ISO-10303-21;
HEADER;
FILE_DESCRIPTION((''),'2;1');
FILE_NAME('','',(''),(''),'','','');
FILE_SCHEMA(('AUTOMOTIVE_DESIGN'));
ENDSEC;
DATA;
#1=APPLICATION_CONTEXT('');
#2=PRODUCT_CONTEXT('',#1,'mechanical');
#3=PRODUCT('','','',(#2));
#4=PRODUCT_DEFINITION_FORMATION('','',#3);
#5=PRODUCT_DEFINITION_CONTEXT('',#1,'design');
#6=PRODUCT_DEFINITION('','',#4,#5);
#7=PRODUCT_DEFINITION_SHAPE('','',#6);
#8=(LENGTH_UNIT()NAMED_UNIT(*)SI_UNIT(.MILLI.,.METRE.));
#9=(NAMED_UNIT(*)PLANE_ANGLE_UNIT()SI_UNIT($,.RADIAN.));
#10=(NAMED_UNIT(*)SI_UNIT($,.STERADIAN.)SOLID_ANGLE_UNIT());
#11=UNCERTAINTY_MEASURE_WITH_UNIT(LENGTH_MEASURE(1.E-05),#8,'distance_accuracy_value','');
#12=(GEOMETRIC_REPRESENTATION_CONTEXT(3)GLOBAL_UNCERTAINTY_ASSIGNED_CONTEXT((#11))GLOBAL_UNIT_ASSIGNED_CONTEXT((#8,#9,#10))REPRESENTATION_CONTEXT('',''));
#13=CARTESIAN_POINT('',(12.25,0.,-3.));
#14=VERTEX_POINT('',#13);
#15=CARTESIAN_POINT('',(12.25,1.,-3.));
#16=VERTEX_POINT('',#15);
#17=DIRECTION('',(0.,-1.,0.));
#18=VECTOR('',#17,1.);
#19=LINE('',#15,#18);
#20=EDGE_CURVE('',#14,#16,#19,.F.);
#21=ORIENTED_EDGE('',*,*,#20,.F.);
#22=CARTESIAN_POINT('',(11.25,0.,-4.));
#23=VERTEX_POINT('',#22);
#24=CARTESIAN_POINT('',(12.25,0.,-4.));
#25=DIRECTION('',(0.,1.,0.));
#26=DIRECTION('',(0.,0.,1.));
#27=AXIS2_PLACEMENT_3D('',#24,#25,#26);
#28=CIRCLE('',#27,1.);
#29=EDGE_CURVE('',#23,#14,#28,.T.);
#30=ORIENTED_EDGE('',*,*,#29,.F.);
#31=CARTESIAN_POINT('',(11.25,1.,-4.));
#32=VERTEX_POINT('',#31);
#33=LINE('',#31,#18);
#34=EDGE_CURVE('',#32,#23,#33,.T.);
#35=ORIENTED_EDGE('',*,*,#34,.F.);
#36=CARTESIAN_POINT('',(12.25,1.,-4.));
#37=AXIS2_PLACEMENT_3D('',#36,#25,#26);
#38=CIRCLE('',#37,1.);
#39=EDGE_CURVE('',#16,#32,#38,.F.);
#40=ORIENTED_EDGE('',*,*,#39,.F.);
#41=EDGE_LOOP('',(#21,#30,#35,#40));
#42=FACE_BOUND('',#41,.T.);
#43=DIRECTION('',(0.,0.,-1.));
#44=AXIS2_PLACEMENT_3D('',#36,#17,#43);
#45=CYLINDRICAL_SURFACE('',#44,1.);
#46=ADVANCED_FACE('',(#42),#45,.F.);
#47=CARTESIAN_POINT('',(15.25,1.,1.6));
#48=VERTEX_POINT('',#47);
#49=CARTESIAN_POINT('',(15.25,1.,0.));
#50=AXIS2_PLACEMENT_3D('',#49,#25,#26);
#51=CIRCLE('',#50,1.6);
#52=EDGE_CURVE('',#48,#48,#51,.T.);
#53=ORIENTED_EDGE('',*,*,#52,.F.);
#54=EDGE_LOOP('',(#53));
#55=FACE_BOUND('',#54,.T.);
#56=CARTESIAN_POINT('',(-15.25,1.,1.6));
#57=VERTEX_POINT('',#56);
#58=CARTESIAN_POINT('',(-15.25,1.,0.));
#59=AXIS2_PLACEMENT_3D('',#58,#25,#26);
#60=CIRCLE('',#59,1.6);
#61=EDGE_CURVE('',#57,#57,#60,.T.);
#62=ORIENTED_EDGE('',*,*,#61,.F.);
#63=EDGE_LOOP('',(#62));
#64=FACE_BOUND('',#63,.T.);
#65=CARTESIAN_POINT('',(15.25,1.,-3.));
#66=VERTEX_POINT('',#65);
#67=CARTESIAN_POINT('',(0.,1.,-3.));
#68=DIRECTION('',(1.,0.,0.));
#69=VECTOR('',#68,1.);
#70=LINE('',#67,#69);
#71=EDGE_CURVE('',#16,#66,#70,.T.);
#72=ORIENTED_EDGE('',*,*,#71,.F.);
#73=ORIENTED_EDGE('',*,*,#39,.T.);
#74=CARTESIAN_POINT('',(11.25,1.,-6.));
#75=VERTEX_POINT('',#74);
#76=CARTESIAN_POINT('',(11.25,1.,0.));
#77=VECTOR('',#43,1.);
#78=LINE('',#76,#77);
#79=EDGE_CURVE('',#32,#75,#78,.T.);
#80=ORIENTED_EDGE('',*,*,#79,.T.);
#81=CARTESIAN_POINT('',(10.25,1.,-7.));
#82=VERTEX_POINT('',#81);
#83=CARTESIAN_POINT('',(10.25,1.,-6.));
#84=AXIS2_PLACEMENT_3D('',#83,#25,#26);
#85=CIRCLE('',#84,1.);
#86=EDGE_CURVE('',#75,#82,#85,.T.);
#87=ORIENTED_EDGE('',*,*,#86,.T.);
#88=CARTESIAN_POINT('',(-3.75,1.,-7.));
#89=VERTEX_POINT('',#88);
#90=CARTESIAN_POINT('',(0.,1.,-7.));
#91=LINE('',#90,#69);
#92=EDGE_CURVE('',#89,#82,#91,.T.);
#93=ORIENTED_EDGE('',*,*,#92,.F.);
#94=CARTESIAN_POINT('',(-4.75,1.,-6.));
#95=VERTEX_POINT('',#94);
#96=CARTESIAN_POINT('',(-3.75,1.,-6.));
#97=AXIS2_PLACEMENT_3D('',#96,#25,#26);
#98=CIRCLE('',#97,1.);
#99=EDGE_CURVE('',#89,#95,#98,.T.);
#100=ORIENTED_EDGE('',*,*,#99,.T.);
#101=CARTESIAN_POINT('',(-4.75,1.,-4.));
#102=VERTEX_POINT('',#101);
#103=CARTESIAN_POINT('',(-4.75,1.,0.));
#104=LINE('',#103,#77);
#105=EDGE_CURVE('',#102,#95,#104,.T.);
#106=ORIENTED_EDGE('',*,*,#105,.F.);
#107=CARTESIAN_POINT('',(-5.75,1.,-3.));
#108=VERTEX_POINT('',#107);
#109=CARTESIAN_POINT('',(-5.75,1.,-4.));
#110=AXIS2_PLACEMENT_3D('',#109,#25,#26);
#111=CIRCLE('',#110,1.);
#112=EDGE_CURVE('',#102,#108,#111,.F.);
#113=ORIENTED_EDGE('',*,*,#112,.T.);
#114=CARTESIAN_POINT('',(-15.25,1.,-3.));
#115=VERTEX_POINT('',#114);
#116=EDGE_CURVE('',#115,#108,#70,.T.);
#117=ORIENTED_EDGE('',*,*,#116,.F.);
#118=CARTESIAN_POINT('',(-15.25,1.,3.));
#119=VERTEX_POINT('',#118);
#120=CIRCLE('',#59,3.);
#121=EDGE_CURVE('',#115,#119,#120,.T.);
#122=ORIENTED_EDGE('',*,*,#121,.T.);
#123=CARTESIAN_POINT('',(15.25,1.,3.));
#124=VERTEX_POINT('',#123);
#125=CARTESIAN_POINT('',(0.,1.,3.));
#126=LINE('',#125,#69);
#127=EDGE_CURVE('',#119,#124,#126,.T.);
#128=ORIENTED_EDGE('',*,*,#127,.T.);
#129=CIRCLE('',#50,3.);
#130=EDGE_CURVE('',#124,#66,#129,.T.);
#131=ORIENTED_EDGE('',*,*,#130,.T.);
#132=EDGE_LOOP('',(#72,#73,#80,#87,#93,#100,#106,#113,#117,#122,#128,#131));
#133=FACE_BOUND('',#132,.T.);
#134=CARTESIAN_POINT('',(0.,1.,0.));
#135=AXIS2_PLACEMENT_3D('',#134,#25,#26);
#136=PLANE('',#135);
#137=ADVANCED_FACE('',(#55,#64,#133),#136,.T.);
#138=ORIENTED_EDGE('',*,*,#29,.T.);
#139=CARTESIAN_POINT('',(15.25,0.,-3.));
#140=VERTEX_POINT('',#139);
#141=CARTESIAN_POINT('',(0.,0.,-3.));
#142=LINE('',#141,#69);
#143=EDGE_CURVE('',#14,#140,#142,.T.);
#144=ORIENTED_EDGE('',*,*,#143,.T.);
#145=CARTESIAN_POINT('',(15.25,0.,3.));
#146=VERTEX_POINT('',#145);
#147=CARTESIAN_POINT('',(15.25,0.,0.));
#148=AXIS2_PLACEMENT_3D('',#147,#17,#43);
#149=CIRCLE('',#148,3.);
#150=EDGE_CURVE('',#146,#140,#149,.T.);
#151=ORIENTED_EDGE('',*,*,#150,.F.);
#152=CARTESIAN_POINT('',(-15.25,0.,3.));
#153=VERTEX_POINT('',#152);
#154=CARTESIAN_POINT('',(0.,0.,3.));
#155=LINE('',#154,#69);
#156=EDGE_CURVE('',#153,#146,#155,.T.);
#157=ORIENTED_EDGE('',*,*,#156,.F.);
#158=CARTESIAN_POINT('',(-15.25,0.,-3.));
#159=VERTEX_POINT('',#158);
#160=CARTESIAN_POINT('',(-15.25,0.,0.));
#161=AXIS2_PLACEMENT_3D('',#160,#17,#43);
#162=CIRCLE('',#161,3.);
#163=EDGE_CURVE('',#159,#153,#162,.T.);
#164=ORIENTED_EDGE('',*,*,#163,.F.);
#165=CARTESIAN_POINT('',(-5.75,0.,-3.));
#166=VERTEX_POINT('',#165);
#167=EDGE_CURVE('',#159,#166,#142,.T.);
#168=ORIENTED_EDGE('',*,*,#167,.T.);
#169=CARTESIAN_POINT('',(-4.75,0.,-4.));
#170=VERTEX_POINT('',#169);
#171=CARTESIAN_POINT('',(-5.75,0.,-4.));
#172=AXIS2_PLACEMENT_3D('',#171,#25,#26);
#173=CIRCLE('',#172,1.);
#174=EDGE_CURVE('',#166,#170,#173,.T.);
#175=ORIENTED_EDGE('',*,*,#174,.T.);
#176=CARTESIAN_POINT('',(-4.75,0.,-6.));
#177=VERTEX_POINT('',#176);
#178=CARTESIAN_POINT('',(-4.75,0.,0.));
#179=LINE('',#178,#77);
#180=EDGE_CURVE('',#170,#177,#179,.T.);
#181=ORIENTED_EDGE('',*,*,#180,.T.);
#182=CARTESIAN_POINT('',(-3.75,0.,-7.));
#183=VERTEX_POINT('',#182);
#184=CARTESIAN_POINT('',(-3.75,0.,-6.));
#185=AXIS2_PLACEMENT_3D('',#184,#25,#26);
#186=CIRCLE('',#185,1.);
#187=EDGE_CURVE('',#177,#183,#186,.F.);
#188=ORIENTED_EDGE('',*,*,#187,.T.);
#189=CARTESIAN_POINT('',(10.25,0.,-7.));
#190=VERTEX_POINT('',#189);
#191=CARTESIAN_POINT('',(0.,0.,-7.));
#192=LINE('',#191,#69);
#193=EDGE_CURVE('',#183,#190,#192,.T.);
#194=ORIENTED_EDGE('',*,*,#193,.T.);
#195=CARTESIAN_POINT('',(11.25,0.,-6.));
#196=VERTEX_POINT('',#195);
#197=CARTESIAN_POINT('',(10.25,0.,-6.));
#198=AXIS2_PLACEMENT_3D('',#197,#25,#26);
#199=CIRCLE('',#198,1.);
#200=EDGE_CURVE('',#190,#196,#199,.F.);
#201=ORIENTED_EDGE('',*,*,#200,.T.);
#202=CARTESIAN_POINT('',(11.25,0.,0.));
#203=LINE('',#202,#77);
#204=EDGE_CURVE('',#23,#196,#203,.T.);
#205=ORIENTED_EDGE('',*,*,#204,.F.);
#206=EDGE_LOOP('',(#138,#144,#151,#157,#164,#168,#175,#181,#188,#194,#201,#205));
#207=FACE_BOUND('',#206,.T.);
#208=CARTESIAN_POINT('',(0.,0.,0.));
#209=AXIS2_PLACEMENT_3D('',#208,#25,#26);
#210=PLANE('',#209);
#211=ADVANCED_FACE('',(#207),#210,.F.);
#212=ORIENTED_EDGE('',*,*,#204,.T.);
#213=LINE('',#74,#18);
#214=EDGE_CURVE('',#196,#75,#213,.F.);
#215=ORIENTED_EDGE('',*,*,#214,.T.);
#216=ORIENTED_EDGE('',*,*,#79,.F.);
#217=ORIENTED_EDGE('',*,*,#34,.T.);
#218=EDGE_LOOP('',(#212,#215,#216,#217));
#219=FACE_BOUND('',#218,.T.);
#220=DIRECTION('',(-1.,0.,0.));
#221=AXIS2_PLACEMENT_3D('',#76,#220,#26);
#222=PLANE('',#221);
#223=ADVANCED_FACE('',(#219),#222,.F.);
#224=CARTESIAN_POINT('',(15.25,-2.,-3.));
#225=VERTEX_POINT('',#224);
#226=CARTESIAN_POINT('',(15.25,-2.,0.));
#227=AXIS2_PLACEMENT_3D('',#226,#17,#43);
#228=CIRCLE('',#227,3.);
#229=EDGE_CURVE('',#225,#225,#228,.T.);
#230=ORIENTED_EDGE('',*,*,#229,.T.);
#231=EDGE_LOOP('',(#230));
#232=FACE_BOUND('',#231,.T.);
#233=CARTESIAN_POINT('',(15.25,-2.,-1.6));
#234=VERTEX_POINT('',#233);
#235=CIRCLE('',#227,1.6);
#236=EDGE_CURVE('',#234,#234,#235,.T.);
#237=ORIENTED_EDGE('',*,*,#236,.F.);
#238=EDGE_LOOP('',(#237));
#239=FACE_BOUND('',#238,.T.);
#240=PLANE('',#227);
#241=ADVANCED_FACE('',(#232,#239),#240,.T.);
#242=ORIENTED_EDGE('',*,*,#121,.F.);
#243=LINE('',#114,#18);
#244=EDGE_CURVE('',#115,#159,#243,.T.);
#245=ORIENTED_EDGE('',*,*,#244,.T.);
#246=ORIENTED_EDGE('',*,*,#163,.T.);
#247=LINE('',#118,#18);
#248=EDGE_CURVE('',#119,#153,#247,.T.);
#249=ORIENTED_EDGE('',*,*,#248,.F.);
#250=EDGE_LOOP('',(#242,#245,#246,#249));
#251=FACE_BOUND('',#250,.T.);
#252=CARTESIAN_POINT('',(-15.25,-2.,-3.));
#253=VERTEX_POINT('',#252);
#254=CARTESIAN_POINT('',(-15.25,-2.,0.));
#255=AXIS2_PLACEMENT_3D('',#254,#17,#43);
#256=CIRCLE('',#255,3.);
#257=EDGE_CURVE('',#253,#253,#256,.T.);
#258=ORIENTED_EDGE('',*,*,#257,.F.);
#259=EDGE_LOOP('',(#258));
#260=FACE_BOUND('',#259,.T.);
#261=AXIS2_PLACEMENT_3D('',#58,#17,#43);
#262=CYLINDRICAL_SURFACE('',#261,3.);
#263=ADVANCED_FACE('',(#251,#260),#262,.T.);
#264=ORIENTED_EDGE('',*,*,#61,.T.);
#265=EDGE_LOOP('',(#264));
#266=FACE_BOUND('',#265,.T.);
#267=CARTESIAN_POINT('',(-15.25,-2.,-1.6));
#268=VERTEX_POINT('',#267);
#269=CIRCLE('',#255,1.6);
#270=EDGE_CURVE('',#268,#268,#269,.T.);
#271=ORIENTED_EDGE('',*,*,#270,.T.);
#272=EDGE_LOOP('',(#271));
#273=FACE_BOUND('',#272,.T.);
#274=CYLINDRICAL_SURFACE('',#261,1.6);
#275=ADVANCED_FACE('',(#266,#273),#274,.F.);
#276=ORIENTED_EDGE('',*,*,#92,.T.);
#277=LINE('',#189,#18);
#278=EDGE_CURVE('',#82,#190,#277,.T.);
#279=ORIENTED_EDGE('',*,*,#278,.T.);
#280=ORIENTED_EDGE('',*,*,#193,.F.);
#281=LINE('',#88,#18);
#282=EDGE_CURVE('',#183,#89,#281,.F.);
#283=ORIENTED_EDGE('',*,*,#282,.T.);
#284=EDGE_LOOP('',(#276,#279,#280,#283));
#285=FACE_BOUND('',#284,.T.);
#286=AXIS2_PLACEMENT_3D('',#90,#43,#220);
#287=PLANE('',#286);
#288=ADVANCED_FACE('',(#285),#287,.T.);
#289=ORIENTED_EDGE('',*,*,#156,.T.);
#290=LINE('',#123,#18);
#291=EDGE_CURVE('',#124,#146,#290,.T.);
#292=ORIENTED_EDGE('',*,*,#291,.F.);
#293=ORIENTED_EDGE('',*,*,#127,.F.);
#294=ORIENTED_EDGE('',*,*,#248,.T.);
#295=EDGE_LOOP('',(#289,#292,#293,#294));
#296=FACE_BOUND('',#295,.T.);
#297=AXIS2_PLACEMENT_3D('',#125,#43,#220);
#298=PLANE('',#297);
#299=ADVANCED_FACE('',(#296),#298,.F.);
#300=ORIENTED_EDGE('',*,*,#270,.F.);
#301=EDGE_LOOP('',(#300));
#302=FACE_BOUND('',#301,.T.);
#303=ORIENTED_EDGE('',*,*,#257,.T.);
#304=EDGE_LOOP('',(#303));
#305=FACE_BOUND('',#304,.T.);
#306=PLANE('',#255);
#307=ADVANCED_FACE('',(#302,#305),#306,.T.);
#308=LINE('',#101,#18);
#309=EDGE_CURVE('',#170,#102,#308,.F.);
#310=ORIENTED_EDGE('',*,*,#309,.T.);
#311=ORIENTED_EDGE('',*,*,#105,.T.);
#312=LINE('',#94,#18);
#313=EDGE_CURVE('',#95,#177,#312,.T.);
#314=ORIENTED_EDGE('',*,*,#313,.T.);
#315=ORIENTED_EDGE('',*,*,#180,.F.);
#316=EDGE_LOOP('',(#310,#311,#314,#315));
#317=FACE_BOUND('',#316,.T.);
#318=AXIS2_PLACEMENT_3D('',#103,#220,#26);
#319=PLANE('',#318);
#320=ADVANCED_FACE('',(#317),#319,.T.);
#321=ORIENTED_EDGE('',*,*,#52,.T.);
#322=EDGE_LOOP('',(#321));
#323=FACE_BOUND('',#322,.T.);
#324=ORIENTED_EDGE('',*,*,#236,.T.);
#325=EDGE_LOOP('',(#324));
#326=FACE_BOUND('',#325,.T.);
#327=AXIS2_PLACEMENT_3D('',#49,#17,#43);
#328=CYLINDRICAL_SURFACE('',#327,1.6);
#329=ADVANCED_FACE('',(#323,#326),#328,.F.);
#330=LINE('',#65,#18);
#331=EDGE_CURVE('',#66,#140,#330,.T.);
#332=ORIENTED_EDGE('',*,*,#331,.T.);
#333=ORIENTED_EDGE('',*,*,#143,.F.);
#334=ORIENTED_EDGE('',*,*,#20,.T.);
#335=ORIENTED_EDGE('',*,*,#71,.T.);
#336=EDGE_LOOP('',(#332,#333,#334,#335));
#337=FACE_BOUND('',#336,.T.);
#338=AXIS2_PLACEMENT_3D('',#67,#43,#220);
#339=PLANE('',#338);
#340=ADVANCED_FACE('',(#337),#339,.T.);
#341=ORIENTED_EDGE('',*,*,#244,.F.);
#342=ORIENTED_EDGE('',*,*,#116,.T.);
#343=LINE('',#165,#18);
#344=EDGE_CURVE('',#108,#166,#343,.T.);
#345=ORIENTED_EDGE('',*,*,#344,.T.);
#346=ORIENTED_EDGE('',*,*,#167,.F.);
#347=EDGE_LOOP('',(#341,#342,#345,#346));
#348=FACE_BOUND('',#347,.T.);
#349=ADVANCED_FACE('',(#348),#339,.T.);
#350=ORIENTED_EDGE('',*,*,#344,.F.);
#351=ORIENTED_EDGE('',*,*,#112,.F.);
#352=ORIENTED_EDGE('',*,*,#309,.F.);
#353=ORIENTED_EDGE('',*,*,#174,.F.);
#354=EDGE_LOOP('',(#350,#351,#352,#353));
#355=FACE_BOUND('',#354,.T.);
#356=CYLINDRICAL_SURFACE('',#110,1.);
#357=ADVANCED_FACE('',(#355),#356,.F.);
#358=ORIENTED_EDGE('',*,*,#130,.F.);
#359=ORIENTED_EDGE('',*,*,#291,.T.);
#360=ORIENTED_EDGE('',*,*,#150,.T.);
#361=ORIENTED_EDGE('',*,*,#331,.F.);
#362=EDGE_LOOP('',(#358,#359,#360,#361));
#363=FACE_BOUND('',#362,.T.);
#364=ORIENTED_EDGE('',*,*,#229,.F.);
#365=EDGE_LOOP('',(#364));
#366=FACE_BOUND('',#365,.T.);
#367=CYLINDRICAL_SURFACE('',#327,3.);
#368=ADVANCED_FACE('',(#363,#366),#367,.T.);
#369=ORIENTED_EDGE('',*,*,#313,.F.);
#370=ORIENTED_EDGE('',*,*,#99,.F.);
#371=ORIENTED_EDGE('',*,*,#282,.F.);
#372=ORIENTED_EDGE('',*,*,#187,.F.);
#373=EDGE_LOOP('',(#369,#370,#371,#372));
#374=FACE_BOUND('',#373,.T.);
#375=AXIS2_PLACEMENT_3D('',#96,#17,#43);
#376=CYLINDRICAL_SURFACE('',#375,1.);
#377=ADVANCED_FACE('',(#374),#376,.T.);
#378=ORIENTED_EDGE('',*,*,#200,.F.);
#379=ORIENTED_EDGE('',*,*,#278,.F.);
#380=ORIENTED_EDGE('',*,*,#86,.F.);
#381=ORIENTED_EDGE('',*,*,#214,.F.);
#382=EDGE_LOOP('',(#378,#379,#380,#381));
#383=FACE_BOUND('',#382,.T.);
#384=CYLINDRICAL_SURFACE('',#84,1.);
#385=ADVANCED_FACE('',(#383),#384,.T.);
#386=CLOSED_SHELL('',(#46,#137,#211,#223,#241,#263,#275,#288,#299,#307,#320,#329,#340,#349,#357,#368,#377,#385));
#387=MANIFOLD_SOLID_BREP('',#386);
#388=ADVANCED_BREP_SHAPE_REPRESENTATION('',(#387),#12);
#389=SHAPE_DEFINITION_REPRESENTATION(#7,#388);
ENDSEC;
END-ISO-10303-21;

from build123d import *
from build123d.topology import SkipClean

# Parameters (mm, degrees)
SKETCH1_W           = 16
SKETCH1_H           = 6
SKETCH1_H_2         = 4
SKETCH1_R           = 1.6
BOSS_EXTRUDE1_DEPTH = 1
FILLET1_R           = 1
BOSS_EXTRUDE2_START = 2
SKETCH2_R           = 3
SKETCH2_R_2         = 1.6
BOSS_EXTRUDE2_DEPTH = 2


with BuildPart() as part:
    # Sketch1 → Boss-Extrude1 (new body)
    # profile 1 of 4: a face of its own
    with BuildSketch(Plane(origin=(0, 0, 0), x_dir=(1, 0, 0), z_dir=(0, 1, 0))):
        with Locations((3.25, 0)):
            Rectangle(SKETCH1_W, SKETCH1_H)
    # profile 2 of 4: a face of its own
    with BuildSketch(Plane(origin=(0, 0, 0), x_dir=(1, 0, 0), z_dir=(0, 1, 0))):
        with Locations((3.25, 5)):
            Rectangle(SKETCH1_W, SKETCH1_H_2)
    # profile 3 of 4: a face of its own
    with BuildSketch(Plane(origin=(0, 0, 0), x_dir=(1, 0, 0), z_dir=(0, 1, 0))):
        with BuildLine():
            Line((-4.75, 3), (-15.25, 3))
            ThreePointArc((-15.25, 3), (-18.25, 0), (-15.25, -3))
            Line((-15.25, -3), (-4.75, -3))
            Line((-4.75, -3), (-4.75, 3))
        make_face()
        with Locations(Location((-15.25, 0, 0), (0, 0, 270))):
            Circle(SKETCH1_R, mode=Mode.SUBTRACT)
    # profile 4 of 4: a face of its own
    with BuildSketch(Plane(origin=(0, 0, 0), x_dir=(1, 0, 0), z_dir=(0, 1, 0))):
        with BuildLine():
            Line((15.25, 3), (11.25, 3))
            Line((11.25, 3), (11.25, -3))
            Line((11.25, -3), (15.25, -3))
            ThreePointArc((15.25, -3), (18.25, 0), (15.25, 3))
        make_face()
        with Locations(Location((15.25, 0, 0), (0, 0, 270))):
            Circle(SKETCH1_R, mode=Mode.SUBTRACT)
    extrude(amount=BOSS_EXTRUDE1_DEPTH)

    # Fillet1
    fillet1_edges = [part.edges().sort_by_distance(p)[0] for p in [
        (-4.75, 0.5, -3),
        (-4.75, 0.5, -7),
        (11.25, 0.5, -7),
        (11.25, 0.5, -3),
    ]]
    fillet(fillet1_edges, radius=FILLET1_R)

    # Sketch2 → Boss-Extrude2 (add)
    # profile 1 of 2: a face of its own
    with SkipClean():  # the faces are left unmerged after this step: merging them gives an invalid solid
        with BuildSketch(Plane.XZ.offset(BOSS_EXTRUDE2_START)):
            with Locations(Location((-15.25, 0, 0), (0, 0, 270))):
                Circle(SKETCH2_R)
            with Locations(Location((-15.25, 0, 0), (0, 0, 270))):
                Circle(SKETCH2_R_2, mode=Mode.SUBTRACT)
        # profile 2 of 2: a face of its own
        with BuildSketch(Plane.XZ.offset(BOSS_EXTRUDE2_START)):
            with Locations(Location((15.25, 0, 0), (0, 0, 270))):
                Circle(SKETCH2_R)
            with Locations(Location((15.25, 0, 0), (0, 0, 270))):
                Circle(SKETCH2_R_2, mode=Mode.SUBTRACT)
        extrude(amount=-BOSS_EXTRUDE2_DEPTH)


solid = part.part
